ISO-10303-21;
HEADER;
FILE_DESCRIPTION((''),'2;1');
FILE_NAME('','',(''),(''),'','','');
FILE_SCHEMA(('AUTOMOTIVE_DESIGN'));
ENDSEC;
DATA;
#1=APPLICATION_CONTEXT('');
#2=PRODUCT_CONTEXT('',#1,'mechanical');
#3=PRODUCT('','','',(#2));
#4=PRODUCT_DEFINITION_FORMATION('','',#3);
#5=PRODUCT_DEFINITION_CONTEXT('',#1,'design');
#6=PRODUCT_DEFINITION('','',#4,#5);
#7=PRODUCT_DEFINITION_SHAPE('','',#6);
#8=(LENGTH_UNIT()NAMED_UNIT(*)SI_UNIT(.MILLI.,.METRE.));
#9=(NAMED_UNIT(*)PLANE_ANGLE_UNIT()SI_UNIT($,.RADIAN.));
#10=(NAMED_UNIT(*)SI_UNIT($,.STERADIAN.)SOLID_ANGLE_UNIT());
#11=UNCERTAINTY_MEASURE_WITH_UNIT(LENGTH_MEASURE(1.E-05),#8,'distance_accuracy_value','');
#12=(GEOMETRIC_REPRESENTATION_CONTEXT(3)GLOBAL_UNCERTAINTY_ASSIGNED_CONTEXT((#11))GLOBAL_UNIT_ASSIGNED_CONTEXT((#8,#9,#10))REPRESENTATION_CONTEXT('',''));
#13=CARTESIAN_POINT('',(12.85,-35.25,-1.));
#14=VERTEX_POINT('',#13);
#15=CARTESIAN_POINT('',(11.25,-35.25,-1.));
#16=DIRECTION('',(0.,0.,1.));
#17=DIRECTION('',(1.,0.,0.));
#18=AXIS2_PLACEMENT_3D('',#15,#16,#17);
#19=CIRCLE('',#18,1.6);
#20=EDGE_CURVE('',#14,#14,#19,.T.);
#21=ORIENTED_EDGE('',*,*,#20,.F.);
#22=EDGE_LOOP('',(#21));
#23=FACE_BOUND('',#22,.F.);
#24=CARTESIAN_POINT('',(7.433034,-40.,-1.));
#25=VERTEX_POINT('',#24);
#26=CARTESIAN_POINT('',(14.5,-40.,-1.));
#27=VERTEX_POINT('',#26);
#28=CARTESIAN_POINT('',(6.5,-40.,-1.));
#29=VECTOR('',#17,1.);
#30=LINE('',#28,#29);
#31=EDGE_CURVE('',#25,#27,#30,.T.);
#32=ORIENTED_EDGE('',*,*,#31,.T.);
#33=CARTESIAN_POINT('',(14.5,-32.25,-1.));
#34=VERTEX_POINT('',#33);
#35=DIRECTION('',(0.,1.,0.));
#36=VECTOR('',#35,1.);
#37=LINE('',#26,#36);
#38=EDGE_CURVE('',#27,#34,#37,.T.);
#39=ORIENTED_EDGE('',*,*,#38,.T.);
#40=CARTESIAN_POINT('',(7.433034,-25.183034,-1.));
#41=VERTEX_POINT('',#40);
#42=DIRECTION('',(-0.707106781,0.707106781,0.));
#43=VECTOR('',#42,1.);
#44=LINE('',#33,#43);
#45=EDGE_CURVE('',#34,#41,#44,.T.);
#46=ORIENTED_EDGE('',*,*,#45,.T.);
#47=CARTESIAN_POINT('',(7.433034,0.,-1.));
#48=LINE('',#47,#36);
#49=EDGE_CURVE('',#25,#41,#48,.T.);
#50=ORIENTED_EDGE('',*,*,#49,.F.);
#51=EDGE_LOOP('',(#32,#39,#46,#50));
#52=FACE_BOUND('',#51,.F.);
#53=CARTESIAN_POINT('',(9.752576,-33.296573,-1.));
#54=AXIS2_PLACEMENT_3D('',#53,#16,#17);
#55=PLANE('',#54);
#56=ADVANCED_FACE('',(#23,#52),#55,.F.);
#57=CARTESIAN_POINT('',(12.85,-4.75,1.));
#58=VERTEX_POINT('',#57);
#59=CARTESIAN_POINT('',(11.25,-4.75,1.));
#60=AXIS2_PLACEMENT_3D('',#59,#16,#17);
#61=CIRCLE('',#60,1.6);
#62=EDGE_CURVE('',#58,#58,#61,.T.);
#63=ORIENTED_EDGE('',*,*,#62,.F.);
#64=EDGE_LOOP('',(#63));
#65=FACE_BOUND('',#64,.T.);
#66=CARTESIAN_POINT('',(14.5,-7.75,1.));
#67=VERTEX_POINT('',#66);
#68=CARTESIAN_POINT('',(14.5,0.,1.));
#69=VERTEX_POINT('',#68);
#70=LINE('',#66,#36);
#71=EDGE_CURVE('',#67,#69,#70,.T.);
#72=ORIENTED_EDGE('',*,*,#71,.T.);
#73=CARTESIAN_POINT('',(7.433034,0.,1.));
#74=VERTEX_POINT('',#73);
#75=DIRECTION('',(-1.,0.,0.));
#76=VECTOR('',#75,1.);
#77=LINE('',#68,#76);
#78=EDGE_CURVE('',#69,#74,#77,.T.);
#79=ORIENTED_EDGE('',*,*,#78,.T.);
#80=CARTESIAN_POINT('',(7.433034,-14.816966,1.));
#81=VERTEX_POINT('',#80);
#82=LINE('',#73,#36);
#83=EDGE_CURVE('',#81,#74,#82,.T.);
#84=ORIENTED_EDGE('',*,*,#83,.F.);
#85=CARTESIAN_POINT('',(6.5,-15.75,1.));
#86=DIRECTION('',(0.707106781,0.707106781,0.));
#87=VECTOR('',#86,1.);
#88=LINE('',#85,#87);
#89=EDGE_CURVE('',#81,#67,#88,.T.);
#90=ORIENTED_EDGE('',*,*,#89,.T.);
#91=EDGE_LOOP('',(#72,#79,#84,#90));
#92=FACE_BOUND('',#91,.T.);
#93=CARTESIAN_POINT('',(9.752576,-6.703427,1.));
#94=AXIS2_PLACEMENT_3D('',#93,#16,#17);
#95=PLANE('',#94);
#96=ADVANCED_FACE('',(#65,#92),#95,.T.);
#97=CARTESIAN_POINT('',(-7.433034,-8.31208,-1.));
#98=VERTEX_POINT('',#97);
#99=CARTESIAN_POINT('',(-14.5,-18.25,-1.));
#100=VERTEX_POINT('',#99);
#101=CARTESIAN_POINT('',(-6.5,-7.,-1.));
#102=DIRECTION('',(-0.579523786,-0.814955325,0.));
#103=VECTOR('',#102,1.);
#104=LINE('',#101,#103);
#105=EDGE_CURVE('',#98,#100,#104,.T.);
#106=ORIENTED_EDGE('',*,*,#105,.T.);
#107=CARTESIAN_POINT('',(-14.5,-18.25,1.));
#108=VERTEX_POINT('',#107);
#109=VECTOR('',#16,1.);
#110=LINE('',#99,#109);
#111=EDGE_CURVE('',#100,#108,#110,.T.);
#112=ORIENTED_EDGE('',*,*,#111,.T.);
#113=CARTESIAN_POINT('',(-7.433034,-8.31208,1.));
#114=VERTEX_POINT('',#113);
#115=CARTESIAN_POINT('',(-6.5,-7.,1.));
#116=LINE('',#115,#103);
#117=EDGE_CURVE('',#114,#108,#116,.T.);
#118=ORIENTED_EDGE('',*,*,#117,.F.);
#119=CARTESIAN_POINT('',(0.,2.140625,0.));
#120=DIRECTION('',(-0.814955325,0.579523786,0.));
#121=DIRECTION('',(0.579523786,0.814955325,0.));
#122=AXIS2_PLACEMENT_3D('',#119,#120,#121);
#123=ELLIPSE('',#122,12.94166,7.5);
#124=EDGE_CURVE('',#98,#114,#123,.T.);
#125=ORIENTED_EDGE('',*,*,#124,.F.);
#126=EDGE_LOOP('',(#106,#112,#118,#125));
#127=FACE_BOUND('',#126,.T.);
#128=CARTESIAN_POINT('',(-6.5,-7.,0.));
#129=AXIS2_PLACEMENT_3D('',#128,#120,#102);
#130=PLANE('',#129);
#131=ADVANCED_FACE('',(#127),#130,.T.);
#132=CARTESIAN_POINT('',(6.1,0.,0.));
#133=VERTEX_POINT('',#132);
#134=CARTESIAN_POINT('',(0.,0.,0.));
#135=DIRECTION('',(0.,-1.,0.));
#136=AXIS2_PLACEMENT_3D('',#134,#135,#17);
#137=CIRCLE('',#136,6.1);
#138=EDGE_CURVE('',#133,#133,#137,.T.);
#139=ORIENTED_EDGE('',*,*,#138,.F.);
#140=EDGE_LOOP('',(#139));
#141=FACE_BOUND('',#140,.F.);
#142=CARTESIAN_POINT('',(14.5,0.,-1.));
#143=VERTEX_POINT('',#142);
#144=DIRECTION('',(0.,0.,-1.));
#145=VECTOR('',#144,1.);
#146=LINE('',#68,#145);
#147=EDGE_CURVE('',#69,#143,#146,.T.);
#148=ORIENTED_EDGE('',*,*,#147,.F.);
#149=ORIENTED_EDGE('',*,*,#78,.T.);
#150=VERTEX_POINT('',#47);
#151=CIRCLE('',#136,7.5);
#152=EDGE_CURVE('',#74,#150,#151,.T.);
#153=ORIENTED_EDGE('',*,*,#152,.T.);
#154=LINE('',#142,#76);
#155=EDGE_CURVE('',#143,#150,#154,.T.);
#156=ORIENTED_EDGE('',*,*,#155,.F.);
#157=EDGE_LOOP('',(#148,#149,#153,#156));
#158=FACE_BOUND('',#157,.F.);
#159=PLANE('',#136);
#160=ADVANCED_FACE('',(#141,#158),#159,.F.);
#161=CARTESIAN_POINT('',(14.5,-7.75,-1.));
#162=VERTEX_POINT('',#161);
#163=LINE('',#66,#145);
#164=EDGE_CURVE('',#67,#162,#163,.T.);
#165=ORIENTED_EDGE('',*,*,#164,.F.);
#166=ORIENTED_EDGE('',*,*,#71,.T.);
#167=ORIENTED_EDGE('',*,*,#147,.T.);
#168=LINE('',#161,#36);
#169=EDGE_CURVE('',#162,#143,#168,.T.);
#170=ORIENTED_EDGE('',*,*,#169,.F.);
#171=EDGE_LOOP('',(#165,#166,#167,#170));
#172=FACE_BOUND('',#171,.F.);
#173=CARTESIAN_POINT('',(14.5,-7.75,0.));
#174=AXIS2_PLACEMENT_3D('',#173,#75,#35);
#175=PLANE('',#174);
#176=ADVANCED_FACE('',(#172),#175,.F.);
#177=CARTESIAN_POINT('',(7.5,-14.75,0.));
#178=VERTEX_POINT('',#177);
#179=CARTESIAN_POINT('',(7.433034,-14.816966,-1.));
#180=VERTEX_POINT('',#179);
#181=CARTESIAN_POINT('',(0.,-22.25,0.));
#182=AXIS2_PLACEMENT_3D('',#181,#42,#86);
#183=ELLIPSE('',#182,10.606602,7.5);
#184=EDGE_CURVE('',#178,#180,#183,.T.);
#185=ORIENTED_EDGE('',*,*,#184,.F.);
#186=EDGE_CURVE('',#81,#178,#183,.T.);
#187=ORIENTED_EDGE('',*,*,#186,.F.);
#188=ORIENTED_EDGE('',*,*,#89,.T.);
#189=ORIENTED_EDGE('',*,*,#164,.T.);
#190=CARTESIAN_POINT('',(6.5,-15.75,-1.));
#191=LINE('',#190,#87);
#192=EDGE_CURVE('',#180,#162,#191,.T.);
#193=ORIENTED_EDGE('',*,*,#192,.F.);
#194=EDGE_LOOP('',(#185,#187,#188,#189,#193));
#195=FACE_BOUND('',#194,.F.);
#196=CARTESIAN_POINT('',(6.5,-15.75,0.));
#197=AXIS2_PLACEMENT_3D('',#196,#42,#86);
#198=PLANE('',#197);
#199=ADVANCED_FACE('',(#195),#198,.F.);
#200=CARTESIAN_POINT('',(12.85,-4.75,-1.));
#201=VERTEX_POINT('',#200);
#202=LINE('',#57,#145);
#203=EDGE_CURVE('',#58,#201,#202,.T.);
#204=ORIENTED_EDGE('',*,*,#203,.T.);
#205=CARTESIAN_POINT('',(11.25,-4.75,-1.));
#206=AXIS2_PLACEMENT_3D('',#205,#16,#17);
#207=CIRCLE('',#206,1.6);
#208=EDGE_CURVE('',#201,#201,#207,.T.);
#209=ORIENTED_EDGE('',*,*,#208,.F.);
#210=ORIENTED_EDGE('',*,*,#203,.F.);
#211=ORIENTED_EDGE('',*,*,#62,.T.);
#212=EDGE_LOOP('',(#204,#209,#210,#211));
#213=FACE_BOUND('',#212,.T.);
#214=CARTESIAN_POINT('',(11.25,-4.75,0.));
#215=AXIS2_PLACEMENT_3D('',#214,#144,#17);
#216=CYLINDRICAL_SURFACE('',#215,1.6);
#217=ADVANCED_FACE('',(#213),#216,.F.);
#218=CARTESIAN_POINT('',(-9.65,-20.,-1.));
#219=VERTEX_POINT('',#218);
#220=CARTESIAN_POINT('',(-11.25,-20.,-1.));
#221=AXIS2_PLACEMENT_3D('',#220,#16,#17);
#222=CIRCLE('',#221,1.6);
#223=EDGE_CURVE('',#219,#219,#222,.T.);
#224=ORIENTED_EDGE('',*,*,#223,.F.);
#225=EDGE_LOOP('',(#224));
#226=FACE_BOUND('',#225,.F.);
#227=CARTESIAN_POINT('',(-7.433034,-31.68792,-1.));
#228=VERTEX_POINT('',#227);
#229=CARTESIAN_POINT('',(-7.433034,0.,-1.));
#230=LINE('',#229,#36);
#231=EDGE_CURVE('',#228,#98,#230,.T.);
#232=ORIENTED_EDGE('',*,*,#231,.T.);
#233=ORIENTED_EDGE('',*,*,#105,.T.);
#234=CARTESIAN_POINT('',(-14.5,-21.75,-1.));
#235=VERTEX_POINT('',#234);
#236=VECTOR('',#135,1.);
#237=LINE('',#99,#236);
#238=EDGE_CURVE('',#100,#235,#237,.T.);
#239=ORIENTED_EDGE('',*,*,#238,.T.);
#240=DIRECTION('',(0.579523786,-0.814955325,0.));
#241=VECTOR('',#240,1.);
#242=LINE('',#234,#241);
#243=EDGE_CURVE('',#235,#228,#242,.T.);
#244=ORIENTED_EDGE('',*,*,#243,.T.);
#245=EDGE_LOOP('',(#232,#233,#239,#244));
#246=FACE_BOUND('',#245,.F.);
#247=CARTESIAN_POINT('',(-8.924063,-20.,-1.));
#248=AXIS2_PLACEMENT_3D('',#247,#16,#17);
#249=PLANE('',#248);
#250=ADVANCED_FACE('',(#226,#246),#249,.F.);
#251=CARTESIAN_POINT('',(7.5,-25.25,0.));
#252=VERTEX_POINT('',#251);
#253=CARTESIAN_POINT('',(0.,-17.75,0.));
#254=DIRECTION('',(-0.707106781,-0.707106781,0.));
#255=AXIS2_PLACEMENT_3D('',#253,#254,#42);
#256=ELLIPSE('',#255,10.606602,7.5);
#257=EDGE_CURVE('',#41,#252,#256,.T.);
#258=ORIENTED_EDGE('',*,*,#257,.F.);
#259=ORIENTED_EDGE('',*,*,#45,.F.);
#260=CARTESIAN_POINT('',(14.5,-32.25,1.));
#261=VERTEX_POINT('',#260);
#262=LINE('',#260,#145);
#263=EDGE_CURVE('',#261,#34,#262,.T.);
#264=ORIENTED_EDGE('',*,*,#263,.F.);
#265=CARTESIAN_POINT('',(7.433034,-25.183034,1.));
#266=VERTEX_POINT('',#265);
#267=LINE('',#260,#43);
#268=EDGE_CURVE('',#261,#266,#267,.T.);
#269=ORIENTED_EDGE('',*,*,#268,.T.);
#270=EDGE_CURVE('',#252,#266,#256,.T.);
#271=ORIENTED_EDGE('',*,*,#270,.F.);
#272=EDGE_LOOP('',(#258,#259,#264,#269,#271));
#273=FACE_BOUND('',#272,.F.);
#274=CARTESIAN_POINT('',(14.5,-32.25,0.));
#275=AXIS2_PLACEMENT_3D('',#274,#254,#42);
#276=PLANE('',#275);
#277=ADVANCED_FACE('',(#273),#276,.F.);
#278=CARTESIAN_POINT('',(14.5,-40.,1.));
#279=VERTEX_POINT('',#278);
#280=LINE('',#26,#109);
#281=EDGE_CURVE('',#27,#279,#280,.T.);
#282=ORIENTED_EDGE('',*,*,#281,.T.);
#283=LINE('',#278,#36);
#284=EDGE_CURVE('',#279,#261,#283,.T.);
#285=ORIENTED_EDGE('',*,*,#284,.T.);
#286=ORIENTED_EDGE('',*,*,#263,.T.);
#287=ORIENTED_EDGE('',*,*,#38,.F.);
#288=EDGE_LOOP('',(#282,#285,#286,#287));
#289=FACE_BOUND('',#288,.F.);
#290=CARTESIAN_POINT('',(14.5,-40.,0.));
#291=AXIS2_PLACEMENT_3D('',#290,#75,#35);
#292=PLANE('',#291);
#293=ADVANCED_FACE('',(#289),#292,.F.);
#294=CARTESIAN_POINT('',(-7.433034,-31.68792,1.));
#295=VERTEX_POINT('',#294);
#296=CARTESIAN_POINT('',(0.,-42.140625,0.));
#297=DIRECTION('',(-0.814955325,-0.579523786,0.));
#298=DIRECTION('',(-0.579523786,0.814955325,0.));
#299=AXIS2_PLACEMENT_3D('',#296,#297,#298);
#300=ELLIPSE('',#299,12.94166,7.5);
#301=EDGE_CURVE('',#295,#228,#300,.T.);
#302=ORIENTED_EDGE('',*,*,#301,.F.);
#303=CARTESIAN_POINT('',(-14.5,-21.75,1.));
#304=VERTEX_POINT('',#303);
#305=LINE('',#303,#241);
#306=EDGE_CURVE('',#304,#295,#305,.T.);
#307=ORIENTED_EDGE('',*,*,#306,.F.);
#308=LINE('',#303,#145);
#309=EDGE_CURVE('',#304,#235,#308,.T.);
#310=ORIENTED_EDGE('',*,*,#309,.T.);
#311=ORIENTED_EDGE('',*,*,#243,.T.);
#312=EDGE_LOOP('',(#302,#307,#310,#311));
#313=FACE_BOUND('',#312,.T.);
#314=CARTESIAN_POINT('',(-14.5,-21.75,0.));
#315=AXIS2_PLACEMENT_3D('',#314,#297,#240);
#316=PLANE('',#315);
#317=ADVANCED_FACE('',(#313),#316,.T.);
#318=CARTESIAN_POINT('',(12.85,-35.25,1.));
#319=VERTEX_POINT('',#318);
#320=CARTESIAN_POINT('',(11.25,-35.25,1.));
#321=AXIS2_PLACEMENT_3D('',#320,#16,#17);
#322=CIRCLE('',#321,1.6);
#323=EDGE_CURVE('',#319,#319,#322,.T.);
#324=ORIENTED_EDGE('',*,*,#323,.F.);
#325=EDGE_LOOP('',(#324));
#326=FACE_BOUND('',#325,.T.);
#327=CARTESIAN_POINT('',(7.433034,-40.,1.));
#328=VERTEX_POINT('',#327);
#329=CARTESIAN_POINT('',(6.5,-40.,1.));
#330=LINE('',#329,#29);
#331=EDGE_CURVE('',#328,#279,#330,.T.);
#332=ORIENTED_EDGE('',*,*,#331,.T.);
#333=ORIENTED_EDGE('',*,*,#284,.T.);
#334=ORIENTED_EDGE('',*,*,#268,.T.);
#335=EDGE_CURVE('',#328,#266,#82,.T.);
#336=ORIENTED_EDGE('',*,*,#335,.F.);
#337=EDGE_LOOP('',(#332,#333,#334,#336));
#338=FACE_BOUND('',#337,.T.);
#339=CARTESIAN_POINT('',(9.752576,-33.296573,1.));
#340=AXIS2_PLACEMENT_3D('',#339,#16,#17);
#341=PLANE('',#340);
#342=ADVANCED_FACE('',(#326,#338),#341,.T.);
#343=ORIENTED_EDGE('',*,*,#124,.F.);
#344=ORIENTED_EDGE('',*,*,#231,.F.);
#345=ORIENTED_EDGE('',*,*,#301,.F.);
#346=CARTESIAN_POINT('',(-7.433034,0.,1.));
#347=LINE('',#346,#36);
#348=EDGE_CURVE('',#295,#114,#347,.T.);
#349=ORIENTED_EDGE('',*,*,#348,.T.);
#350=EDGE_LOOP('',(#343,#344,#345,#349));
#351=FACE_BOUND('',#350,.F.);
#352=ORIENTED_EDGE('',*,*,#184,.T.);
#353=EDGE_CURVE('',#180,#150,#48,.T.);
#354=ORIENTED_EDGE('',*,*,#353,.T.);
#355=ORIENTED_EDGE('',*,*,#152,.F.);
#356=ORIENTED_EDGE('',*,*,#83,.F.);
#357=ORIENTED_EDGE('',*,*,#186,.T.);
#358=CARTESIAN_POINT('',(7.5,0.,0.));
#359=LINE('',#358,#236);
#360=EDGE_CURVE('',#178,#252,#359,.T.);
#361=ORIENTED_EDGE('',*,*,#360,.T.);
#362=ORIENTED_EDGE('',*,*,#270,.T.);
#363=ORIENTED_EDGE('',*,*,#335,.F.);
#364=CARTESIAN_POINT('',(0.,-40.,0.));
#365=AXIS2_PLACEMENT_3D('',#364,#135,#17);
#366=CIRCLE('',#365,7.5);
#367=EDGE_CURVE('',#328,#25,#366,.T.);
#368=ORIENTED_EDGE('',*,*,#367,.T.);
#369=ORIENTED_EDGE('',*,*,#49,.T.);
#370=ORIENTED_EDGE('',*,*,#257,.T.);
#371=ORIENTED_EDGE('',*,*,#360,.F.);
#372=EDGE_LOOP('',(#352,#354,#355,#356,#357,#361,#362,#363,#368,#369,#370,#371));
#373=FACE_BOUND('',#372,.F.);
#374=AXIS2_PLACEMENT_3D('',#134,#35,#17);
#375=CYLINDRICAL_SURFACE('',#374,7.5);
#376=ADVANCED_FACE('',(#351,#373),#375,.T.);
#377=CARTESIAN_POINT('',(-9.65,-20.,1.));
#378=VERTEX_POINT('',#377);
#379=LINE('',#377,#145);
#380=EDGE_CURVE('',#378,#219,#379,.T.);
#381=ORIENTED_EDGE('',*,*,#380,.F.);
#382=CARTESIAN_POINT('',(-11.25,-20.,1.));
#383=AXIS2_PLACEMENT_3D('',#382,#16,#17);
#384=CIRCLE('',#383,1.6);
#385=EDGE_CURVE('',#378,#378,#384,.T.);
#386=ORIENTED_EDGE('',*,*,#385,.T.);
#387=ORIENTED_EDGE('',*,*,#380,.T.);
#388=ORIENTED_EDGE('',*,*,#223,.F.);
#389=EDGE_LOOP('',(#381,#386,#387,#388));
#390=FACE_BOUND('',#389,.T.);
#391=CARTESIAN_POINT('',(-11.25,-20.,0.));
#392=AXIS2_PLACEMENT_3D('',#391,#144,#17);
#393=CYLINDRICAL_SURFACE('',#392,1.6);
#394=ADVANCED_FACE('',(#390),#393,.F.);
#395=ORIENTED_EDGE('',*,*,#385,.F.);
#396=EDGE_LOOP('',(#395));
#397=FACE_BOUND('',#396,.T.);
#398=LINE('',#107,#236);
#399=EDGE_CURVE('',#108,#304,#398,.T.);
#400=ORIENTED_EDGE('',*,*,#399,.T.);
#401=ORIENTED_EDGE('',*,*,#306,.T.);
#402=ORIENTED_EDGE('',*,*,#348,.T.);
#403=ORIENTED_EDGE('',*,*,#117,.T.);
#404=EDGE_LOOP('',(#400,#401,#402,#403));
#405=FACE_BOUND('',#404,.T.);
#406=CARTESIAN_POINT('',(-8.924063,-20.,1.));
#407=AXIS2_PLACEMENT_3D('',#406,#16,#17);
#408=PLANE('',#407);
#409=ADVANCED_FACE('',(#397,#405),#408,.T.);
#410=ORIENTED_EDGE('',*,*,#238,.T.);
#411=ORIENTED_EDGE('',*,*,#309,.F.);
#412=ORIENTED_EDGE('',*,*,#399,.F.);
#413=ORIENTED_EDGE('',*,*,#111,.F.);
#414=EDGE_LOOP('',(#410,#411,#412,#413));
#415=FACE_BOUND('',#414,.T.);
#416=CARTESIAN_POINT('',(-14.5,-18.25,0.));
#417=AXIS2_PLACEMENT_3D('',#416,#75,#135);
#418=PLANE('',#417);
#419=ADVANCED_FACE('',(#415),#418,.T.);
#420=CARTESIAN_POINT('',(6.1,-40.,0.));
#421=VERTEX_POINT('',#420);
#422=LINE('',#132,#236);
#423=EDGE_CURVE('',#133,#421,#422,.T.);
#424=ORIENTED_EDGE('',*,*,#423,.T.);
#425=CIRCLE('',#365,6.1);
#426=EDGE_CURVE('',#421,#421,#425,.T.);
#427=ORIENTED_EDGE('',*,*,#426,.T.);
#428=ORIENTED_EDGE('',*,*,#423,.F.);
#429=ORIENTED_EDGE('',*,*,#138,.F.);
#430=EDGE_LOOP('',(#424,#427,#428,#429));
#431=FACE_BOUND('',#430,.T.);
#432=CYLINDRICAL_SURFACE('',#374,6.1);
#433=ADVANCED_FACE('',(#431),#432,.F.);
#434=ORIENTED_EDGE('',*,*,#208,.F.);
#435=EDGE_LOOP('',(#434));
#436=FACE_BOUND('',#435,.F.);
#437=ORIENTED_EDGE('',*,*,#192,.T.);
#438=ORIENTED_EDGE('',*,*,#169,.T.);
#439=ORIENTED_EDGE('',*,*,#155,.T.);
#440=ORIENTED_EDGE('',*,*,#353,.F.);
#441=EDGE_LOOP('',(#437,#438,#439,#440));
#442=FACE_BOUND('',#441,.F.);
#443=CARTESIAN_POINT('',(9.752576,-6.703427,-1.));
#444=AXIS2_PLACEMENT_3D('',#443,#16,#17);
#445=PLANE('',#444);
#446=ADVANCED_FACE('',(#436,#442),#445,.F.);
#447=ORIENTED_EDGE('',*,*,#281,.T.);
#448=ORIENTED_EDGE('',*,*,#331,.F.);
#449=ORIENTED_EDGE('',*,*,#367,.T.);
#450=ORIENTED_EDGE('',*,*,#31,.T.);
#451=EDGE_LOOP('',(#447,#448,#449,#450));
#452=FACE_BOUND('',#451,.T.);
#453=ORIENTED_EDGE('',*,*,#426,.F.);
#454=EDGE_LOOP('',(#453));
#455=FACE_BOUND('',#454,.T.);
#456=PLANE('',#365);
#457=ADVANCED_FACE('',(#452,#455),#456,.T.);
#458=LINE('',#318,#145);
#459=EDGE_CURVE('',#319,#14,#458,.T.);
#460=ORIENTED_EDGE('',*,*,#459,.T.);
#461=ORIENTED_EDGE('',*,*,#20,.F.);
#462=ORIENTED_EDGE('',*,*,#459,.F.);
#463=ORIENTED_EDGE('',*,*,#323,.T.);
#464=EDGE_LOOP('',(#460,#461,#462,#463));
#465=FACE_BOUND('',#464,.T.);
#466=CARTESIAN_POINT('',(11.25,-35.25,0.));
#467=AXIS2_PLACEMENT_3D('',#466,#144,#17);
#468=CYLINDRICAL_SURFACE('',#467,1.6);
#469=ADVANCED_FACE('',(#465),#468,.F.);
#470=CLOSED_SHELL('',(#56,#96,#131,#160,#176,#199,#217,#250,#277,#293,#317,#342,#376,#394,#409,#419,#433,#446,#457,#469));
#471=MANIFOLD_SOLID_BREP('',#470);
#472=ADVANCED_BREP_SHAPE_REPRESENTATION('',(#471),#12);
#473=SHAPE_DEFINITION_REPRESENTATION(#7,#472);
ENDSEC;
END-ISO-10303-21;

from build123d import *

# Parameters (mm, degrees)
F0_R     = 7.5
F0_R_2   = 6.1
F1_DEPTH = 40
F2_R     = 1.6
F3_DEPTH = 1


with BuildPart() as f1:
    # F0 (on Front) → F1 (new body)
    with BuildSketch(Plane.XZ):
        Circle(F0_R)
        Circle(F0_R_2, mode=Mode.SUBTRACT)
    extrude(amount=F1_DEPTH)

    # F2 (on Top) → F3 (join, symmetric)
    with BuildSketch(Plane.XY):
        Polygon((14.5, 0), (6.5, 0), (6.5, -15.75), (14.5, -7.75), align=None)
        with Locations((11.25, -4.75)):
            Circle(F2_R, mode=Mode.SUBTRACT)
        Polygon((6.5, -24.25), (6.5, -40), (14.5, -40), (14.5, -32.25), align=None)
        with Locations((11.25, -35.25)):
            Circle(F2_R, mode=Mode.SUBTRACT)
        Polygon((-6.5, -33), (-6.5, -7), (-14.5, -18.25), (-14.5, -21.75), align=None)
        with Locations((-11.25, -20)):
            Circle(F2_R, mode=Mode.SUBTRACT)
    extrude(amount=F3_DEPTH, both=True)


solid = f1.part
